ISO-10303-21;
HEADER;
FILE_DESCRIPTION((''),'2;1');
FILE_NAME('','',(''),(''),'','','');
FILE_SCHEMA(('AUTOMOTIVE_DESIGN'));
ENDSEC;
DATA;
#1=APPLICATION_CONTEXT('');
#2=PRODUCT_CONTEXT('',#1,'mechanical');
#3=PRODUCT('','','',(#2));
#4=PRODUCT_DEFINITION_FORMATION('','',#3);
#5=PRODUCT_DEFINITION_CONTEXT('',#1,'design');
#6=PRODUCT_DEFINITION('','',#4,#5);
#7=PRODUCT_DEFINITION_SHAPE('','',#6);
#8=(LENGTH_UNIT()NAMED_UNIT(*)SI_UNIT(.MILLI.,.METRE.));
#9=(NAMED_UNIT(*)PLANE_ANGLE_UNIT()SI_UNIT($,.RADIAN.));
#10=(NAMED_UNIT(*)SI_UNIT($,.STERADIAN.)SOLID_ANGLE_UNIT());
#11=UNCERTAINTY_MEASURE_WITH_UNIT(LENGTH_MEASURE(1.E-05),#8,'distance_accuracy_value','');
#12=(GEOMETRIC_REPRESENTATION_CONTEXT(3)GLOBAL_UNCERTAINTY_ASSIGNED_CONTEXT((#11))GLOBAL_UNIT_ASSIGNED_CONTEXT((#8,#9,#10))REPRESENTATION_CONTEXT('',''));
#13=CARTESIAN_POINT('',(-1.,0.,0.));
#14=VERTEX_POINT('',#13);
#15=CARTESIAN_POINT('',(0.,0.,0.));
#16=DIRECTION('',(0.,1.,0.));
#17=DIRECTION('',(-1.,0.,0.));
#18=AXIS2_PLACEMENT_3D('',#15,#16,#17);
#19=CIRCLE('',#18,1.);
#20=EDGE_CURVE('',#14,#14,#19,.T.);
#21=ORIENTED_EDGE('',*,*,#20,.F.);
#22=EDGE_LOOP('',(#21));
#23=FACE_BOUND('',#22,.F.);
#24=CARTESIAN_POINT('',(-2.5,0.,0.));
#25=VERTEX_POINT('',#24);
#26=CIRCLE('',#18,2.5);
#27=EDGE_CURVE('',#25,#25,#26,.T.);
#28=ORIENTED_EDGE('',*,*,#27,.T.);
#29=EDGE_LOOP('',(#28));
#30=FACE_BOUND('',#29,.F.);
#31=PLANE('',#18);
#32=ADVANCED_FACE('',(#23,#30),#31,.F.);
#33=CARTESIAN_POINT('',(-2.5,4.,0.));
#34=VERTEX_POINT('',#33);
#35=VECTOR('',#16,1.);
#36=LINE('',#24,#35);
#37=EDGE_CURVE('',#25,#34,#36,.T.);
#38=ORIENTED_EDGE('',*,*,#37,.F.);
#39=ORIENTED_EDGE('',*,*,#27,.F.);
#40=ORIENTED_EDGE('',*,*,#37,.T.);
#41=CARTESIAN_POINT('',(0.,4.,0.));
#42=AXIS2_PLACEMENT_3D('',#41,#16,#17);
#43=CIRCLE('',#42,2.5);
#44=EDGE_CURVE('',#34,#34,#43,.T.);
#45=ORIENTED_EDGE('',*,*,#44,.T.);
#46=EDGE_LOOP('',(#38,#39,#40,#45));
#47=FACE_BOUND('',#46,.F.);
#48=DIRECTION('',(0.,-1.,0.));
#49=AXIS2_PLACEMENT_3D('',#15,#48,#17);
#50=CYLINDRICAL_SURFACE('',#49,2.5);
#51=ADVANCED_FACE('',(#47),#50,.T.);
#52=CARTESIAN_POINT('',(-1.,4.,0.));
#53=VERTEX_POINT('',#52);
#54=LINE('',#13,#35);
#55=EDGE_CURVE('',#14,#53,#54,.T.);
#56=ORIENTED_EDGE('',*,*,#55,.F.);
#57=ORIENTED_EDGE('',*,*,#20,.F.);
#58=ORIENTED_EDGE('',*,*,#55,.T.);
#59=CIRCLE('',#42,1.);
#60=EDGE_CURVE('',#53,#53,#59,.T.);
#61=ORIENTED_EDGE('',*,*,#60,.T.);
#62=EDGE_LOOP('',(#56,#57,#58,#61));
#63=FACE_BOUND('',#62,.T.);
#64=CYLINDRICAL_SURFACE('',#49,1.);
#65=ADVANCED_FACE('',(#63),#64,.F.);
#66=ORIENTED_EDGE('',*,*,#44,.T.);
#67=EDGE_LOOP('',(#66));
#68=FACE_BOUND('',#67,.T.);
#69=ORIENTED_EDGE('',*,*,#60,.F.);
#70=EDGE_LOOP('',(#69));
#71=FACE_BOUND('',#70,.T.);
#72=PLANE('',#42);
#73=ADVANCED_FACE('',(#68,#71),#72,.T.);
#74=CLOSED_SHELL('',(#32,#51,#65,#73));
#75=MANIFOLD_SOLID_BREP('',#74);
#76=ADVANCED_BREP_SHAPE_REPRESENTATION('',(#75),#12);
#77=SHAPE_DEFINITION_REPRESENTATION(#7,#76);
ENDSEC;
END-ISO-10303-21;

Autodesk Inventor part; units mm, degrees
ref_plane "YZ Plane" through (0, 0, 0) normal (1, 0, 0) x (0, 1, 0)
ref_plane "XZ Plane" through (0, 0, 0) normal (0, 1, 0) x (-1, 0, 0)
ref_plane "XY Plane" through (0, 0, 0) normal (0, 0, 1) x (1, 0, 0)
sketch "Sketch1" plane through (0, 0, 0) normal (0, 1, 0) x (-1, 0, 0)
  circle A0 centre (0, 0) radius 2.5
  circle A1 centre (0, 0) radius 1
  dimension "d0" = 5
  dimension "d1" = 2
extrude "Extrusion1" add sketch "Sketch1" along normal blind 4
properties part number "Tope-Eje"
